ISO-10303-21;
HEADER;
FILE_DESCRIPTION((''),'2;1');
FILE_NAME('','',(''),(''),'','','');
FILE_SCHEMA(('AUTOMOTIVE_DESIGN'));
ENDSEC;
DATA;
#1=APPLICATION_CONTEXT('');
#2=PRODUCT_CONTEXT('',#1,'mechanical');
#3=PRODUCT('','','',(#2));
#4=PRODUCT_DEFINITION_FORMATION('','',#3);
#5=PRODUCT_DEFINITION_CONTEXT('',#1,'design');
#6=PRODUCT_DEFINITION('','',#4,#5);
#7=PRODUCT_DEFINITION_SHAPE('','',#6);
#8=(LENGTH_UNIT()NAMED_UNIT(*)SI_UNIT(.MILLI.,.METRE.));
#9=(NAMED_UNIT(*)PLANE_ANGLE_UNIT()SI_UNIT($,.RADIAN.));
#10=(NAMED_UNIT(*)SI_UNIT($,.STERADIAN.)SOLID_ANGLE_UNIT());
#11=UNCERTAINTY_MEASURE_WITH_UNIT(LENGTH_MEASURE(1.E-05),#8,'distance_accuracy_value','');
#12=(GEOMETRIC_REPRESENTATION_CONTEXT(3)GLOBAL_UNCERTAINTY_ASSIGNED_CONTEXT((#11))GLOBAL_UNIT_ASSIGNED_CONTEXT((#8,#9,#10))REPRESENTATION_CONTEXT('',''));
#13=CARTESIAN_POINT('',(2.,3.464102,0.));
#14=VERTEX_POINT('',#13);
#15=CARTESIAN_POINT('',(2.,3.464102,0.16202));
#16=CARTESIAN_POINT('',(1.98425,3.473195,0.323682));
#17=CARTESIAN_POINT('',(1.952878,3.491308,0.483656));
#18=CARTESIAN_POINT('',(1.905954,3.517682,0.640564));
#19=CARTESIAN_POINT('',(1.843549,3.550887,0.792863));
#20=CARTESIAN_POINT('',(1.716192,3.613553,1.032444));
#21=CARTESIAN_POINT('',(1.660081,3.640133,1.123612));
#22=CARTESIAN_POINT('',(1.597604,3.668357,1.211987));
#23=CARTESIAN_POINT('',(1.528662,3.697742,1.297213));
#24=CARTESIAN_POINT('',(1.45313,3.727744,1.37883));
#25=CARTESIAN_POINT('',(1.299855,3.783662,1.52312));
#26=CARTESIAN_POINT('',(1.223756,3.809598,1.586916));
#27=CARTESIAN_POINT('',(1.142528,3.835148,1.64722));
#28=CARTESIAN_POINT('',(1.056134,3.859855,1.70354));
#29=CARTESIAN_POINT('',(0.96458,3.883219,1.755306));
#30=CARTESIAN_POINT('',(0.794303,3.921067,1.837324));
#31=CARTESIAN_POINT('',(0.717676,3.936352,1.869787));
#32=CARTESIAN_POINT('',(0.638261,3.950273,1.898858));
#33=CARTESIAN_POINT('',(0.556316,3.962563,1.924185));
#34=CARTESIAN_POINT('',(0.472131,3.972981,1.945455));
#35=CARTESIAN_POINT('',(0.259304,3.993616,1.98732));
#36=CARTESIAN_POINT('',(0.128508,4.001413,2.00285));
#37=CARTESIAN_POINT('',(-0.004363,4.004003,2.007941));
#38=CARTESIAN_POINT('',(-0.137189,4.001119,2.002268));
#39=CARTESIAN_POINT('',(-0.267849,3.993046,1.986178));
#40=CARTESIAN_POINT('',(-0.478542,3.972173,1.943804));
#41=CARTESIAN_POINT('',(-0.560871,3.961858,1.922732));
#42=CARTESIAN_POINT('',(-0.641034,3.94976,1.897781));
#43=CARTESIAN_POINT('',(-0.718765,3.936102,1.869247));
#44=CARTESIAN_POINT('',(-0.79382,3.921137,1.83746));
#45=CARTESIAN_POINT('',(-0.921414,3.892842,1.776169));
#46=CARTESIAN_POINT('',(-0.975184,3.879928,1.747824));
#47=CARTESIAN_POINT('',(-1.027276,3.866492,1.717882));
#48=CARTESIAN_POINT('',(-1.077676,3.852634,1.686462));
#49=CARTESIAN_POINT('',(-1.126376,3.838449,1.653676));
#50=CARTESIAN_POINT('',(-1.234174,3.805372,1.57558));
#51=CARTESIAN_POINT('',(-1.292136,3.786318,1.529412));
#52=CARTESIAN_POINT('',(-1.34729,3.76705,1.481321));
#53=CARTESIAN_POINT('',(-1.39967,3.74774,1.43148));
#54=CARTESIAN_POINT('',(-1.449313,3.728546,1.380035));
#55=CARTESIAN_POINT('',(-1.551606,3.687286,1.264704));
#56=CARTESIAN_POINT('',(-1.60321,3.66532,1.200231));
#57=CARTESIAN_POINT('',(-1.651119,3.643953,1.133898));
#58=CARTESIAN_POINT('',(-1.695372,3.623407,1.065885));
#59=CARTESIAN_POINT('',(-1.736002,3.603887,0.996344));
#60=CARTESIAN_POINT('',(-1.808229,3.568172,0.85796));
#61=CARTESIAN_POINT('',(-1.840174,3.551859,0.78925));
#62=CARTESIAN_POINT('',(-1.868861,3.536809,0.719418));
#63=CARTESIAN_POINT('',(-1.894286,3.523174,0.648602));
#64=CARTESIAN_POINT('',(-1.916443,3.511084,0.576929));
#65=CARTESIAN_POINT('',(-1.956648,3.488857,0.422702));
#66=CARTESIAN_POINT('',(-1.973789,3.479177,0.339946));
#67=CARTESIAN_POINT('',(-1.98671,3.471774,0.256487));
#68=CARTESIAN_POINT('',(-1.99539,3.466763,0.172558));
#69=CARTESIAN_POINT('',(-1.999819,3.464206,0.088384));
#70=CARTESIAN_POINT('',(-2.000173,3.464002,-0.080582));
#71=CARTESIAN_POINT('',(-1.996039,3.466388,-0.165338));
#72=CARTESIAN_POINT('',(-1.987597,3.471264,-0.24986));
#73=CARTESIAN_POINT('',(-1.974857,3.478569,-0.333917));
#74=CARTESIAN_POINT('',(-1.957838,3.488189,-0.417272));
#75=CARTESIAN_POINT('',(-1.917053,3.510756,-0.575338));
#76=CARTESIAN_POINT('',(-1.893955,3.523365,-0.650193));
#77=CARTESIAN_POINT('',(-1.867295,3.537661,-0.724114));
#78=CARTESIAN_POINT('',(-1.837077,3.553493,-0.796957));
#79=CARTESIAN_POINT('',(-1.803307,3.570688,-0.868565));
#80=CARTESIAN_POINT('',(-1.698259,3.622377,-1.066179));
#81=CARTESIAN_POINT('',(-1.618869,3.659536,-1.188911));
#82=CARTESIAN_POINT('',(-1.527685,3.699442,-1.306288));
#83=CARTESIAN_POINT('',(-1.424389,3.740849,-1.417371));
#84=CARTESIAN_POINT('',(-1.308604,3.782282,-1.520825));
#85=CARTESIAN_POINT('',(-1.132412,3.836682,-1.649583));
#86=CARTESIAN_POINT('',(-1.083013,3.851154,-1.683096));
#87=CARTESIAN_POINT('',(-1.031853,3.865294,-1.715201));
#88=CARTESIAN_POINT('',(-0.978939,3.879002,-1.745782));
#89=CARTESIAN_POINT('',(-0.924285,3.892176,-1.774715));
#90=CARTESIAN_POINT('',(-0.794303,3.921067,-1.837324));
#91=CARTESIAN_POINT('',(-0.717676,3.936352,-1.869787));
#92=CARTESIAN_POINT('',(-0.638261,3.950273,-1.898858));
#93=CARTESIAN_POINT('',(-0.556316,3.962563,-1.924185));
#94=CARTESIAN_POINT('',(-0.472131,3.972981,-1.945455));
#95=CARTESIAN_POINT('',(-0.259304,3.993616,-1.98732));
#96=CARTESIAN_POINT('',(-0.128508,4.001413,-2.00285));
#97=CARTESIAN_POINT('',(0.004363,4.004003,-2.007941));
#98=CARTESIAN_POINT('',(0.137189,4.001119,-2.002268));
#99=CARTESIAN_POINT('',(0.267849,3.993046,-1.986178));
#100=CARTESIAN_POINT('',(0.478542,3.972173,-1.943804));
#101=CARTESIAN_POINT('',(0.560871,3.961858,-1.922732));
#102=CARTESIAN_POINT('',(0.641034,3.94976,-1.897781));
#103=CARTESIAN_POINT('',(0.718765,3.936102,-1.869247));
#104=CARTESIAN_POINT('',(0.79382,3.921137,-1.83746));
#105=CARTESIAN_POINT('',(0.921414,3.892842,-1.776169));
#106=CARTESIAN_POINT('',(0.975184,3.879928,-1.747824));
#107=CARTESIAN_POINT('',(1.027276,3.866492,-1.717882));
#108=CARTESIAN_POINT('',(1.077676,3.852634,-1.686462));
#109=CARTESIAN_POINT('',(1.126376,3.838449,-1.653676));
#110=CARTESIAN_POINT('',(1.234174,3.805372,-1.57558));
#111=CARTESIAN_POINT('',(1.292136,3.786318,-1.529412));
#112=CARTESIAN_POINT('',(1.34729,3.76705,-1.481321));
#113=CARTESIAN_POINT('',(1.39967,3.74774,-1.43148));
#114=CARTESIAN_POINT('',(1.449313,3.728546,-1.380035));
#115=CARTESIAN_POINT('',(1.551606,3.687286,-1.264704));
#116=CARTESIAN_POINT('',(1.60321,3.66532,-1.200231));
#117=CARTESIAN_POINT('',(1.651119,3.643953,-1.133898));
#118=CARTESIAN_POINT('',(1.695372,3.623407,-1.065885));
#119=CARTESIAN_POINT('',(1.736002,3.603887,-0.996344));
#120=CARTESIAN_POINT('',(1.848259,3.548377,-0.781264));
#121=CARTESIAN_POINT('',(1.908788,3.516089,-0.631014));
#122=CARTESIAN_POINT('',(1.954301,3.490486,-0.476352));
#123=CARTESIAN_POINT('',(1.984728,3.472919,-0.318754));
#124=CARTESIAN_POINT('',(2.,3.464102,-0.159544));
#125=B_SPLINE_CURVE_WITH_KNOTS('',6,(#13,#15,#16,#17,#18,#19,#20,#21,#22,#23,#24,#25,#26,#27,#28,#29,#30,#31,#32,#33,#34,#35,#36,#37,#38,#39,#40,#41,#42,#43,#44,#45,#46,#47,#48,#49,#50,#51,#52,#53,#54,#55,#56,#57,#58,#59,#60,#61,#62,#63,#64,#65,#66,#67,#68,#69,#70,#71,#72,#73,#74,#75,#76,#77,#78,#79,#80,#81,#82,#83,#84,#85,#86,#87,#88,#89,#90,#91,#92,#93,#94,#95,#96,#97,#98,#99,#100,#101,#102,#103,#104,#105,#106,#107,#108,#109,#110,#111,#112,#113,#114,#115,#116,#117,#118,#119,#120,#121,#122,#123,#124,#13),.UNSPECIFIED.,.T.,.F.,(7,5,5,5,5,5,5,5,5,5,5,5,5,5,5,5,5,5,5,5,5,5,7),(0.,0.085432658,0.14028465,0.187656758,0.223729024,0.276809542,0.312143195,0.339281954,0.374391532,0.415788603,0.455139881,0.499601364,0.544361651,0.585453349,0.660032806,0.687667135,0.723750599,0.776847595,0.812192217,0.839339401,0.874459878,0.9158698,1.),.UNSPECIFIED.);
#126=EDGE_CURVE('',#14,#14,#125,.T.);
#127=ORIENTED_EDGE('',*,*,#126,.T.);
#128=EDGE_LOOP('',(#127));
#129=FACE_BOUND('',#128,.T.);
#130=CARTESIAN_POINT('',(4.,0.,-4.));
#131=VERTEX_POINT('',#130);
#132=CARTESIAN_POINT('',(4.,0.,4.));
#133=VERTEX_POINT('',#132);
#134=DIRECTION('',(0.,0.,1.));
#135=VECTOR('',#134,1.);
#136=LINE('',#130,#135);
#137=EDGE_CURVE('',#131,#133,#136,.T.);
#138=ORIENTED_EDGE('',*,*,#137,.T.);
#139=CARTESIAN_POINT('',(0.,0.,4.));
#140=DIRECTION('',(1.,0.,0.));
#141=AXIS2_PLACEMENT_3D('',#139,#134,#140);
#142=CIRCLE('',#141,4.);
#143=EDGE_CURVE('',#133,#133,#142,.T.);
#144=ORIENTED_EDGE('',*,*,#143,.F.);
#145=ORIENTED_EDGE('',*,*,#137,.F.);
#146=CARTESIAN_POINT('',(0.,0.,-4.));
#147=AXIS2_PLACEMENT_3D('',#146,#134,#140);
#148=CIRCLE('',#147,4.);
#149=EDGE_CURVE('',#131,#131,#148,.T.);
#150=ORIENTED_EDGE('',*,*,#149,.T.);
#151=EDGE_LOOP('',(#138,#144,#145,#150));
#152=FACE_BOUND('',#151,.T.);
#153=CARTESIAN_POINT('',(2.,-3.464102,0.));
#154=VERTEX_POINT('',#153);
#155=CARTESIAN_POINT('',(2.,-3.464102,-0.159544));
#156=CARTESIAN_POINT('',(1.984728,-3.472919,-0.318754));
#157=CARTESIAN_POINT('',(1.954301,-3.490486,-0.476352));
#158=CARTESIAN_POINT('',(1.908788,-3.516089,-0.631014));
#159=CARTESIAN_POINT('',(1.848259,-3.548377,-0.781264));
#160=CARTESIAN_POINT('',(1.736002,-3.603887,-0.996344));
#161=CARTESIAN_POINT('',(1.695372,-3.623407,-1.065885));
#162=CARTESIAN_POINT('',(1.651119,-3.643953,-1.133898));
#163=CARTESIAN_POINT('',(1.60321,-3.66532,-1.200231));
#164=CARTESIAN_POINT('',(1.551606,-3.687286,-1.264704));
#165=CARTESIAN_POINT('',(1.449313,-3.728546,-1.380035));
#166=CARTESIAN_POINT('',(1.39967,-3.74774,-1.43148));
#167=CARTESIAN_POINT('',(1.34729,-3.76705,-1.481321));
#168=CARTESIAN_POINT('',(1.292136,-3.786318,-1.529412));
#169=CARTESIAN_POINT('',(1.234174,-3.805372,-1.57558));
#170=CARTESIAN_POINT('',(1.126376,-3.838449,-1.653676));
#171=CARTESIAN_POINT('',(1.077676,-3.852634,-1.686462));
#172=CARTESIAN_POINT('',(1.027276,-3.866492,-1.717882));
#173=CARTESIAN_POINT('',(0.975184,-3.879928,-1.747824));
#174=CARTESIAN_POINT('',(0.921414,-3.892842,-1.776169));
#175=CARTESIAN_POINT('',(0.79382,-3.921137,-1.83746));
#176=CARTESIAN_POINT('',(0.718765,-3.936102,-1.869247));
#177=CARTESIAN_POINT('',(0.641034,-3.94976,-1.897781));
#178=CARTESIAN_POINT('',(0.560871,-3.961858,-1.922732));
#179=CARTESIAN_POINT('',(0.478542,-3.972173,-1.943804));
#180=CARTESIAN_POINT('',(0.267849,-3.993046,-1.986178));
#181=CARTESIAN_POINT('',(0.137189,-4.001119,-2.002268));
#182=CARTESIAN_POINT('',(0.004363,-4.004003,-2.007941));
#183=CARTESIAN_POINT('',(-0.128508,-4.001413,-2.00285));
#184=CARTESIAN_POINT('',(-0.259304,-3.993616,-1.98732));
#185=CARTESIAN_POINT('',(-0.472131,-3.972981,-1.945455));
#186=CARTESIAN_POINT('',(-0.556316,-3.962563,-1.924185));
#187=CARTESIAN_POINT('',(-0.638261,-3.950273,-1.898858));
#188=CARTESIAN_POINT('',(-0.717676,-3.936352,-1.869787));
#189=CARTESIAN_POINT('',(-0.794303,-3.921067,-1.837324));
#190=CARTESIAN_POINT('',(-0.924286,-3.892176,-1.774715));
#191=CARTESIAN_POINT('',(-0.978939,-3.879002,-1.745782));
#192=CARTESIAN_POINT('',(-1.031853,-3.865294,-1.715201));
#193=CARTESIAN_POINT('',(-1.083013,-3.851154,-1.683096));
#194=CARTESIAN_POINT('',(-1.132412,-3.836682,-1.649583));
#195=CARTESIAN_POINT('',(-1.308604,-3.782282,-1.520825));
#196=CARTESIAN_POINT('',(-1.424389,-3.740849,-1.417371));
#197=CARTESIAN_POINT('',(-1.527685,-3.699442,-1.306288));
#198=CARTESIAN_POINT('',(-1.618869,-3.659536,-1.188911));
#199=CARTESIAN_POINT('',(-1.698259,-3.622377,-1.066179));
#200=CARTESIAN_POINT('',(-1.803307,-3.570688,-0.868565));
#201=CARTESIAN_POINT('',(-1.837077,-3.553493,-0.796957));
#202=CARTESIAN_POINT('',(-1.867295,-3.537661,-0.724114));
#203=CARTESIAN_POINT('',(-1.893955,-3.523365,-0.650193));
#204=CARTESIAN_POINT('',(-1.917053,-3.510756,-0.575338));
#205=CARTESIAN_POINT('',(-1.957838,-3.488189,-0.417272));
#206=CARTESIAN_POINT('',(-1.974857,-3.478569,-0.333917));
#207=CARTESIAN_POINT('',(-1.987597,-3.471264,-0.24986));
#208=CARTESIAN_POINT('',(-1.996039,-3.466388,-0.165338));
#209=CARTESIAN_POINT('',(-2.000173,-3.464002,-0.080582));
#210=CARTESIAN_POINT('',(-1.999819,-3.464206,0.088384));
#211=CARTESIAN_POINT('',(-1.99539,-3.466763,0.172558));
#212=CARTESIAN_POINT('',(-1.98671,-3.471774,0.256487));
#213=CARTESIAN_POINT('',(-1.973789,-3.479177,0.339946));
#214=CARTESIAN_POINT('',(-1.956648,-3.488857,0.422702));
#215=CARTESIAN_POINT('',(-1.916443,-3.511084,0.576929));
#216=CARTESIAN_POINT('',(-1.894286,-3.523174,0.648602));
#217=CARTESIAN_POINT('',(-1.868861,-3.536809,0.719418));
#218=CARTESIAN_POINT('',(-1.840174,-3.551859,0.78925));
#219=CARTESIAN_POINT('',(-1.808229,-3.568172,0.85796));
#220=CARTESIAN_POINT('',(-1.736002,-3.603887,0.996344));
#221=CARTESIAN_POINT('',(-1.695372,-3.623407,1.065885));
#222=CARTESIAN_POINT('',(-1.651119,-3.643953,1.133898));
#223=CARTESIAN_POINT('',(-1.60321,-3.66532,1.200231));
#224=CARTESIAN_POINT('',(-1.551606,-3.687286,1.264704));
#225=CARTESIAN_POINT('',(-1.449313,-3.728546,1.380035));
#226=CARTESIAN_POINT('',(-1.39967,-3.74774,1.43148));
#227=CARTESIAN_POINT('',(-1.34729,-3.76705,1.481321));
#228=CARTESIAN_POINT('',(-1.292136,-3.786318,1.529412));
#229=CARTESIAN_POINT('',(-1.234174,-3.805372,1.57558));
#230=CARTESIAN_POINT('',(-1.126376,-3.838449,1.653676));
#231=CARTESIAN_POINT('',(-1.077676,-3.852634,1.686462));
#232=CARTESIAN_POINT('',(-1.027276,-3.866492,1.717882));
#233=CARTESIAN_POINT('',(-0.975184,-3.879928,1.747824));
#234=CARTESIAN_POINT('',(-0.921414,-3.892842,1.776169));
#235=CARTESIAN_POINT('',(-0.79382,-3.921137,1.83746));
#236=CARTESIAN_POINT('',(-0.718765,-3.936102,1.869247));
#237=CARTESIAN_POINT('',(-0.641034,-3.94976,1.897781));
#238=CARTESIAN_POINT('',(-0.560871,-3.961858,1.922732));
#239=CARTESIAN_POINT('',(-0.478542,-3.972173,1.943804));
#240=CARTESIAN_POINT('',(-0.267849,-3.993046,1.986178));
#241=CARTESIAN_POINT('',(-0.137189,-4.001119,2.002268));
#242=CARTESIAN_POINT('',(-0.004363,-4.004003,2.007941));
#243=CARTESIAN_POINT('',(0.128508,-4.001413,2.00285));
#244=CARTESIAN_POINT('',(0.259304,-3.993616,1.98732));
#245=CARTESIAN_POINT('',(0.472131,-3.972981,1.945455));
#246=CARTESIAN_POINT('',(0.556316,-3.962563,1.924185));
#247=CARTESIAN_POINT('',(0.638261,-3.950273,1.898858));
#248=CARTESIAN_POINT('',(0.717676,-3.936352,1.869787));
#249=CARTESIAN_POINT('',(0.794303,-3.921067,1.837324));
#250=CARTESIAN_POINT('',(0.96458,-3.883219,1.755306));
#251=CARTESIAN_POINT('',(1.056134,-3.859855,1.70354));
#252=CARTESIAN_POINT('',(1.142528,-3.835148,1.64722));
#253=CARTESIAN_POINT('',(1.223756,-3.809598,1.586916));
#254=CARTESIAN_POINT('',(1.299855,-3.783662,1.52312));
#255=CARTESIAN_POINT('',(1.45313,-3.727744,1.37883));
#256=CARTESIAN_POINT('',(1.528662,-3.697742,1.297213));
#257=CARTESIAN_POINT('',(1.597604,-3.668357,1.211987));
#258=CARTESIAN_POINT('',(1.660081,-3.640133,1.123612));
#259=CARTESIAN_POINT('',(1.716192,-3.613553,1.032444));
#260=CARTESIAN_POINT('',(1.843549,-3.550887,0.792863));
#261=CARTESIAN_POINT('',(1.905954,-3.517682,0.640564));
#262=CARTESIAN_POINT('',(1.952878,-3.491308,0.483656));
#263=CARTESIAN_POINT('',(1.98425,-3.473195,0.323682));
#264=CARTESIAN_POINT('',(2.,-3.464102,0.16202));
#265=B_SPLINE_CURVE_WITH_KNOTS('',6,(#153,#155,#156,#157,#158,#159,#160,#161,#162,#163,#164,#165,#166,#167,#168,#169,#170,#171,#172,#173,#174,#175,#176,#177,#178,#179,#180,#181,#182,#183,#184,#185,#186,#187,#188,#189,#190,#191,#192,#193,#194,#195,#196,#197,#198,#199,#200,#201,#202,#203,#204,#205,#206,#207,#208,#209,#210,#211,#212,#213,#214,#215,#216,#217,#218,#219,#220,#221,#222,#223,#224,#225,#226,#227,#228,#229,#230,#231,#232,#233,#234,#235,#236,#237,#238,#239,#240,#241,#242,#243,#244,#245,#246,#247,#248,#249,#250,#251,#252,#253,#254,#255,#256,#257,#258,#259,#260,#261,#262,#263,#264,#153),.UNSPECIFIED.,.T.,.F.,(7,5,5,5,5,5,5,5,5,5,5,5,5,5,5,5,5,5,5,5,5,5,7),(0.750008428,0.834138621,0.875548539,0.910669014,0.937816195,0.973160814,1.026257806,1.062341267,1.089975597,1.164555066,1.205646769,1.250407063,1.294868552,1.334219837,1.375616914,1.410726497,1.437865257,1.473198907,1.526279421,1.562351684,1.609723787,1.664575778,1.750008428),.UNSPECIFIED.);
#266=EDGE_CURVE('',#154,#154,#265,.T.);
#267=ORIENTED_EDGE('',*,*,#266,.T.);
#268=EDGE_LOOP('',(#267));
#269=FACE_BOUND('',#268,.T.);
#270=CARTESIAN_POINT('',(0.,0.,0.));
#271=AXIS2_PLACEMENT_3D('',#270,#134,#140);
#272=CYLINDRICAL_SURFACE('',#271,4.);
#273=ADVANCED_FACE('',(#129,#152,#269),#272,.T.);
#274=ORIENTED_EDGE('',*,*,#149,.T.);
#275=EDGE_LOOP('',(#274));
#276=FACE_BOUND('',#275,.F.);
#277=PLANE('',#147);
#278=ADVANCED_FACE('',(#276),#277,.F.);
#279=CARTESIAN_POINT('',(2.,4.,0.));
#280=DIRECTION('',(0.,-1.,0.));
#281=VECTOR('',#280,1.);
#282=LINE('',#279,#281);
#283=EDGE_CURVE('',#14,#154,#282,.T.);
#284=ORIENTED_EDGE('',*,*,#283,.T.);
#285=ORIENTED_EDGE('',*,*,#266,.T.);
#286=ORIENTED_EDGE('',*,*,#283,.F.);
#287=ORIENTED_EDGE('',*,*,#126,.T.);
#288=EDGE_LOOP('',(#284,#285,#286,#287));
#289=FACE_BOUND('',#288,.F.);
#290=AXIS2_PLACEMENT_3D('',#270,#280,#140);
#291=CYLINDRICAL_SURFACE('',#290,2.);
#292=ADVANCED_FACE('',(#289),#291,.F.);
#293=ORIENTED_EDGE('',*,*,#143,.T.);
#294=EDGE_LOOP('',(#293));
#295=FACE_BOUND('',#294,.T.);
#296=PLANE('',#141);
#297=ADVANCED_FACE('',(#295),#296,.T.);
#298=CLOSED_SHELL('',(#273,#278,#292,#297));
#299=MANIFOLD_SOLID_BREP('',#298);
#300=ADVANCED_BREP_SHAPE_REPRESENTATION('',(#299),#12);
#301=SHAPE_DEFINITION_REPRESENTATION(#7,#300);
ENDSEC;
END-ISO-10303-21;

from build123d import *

# Parameters (mm, degrees)
F0_R     = 4
F1_DEPTH = 4
F2_R     = 2
F3_DEPTH = 4


with BuildPart() as f1:
    # F0 (on Top) → F1 (new body, symmetric)
    with BuildSketch(Plane.XY):
        Circle(F0_R)
    extrude(amount=F1_DEPTH, both=True)

    # F2 (on Front) → F3 (cut, symmetric)
    with BuildSketch(Plane.XZ):
        Circle(F2_R)
    extrude(amount=F3_DEPTH, both=True, mode=Mode.SUBTRACT)


solid = f1.part
